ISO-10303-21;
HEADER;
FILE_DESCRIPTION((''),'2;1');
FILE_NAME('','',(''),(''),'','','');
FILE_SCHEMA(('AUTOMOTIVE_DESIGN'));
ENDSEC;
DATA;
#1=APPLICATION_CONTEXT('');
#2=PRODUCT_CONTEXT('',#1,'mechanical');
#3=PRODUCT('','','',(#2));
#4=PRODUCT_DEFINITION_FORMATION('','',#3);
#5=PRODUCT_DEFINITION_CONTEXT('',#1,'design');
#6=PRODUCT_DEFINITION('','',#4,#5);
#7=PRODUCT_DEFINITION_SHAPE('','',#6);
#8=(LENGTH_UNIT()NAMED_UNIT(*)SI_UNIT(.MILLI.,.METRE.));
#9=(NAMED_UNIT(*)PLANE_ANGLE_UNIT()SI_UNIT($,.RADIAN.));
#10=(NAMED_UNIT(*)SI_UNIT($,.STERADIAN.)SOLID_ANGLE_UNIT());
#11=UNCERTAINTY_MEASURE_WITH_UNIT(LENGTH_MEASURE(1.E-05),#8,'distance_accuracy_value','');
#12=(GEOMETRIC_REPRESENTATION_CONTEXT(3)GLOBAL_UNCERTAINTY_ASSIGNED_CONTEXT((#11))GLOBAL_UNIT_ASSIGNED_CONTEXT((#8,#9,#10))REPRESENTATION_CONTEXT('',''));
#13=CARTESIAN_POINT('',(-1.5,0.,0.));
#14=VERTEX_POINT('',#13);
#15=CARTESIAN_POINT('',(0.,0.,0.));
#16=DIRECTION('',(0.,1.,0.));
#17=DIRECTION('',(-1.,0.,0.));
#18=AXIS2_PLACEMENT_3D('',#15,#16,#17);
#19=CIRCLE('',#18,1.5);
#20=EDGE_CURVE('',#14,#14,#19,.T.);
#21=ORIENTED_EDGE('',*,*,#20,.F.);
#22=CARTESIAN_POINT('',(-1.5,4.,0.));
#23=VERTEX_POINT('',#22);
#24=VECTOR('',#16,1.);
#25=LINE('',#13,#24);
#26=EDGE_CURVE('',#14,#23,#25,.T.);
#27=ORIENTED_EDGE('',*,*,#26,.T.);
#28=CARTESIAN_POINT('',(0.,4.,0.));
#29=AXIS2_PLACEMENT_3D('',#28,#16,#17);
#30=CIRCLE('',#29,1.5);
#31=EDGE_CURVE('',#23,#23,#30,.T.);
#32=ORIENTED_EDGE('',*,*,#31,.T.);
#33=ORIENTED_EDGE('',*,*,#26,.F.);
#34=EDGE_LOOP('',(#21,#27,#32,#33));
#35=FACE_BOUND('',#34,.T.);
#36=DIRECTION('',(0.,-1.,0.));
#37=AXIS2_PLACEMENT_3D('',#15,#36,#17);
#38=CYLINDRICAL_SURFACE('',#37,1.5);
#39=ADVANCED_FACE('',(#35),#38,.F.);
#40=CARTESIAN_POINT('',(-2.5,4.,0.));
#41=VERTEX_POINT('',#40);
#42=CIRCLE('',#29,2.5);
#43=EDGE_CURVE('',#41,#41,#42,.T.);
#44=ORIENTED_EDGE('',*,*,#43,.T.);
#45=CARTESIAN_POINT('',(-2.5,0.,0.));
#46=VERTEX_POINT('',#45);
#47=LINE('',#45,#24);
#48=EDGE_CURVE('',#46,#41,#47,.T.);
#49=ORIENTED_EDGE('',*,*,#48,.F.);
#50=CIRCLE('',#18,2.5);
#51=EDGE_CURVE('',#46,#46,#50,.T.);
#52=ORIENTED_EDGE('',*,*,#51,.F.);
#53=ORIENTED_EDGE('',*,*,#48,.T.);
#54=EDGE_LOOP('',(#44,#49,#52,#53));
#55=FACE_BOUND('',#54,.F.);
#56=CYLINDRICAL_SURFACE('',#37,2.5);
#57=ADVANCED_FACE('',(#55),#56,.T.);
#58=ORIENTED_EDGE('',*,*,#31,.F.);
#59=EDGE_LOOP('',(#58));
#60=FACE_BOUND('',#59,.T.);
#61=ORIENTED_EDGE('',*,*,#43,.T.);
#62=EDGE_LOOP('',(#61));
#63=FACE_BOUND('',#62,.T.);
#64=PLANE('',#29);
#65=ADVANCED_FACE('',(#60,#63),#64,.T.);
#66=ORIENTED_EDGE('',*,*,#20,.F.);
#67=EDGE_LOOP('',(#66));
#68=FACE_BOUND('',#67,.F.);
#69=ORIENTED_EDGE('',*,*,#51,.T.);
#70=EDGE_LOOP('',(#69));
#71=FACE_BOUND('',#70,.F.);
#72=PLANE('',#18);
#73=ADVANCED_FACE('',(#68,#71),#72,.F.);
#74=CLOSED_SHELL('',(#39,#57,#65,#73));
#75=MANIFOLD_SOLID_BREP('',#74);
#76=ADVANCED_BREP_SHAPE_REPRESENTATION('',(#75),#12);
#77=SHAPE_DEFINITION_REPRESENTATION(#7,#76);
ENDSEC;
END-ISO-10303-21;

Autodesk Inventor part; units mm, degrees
ref_plane "YZ Plane" through (0, 0, 0) normal (1, 0, 0) x (0, 1, 0)
ref_plane "XZ Plane" through (0, 0, 0) normal (0, 1, 0) x (-1, 0, 0)
ref_plane "XY Plane" through (0, 0, 0) normal (0, 0, 1) x (1, 0, 0)
sketch "Sketch1" plane through (0, 0, 0) normal (0, 1, 0) x (-1, 0, 0)
  circle A0 centre (0, 0) radius 1.5
  circle A1 centre (0, 0) radius 2.5
  dimension "d0" = 3
  dimension "d1" = 5
extrude "Extrusion1" add sketch "Sketch1" along normal blind 4
properties part number "Wrist Standoff"
